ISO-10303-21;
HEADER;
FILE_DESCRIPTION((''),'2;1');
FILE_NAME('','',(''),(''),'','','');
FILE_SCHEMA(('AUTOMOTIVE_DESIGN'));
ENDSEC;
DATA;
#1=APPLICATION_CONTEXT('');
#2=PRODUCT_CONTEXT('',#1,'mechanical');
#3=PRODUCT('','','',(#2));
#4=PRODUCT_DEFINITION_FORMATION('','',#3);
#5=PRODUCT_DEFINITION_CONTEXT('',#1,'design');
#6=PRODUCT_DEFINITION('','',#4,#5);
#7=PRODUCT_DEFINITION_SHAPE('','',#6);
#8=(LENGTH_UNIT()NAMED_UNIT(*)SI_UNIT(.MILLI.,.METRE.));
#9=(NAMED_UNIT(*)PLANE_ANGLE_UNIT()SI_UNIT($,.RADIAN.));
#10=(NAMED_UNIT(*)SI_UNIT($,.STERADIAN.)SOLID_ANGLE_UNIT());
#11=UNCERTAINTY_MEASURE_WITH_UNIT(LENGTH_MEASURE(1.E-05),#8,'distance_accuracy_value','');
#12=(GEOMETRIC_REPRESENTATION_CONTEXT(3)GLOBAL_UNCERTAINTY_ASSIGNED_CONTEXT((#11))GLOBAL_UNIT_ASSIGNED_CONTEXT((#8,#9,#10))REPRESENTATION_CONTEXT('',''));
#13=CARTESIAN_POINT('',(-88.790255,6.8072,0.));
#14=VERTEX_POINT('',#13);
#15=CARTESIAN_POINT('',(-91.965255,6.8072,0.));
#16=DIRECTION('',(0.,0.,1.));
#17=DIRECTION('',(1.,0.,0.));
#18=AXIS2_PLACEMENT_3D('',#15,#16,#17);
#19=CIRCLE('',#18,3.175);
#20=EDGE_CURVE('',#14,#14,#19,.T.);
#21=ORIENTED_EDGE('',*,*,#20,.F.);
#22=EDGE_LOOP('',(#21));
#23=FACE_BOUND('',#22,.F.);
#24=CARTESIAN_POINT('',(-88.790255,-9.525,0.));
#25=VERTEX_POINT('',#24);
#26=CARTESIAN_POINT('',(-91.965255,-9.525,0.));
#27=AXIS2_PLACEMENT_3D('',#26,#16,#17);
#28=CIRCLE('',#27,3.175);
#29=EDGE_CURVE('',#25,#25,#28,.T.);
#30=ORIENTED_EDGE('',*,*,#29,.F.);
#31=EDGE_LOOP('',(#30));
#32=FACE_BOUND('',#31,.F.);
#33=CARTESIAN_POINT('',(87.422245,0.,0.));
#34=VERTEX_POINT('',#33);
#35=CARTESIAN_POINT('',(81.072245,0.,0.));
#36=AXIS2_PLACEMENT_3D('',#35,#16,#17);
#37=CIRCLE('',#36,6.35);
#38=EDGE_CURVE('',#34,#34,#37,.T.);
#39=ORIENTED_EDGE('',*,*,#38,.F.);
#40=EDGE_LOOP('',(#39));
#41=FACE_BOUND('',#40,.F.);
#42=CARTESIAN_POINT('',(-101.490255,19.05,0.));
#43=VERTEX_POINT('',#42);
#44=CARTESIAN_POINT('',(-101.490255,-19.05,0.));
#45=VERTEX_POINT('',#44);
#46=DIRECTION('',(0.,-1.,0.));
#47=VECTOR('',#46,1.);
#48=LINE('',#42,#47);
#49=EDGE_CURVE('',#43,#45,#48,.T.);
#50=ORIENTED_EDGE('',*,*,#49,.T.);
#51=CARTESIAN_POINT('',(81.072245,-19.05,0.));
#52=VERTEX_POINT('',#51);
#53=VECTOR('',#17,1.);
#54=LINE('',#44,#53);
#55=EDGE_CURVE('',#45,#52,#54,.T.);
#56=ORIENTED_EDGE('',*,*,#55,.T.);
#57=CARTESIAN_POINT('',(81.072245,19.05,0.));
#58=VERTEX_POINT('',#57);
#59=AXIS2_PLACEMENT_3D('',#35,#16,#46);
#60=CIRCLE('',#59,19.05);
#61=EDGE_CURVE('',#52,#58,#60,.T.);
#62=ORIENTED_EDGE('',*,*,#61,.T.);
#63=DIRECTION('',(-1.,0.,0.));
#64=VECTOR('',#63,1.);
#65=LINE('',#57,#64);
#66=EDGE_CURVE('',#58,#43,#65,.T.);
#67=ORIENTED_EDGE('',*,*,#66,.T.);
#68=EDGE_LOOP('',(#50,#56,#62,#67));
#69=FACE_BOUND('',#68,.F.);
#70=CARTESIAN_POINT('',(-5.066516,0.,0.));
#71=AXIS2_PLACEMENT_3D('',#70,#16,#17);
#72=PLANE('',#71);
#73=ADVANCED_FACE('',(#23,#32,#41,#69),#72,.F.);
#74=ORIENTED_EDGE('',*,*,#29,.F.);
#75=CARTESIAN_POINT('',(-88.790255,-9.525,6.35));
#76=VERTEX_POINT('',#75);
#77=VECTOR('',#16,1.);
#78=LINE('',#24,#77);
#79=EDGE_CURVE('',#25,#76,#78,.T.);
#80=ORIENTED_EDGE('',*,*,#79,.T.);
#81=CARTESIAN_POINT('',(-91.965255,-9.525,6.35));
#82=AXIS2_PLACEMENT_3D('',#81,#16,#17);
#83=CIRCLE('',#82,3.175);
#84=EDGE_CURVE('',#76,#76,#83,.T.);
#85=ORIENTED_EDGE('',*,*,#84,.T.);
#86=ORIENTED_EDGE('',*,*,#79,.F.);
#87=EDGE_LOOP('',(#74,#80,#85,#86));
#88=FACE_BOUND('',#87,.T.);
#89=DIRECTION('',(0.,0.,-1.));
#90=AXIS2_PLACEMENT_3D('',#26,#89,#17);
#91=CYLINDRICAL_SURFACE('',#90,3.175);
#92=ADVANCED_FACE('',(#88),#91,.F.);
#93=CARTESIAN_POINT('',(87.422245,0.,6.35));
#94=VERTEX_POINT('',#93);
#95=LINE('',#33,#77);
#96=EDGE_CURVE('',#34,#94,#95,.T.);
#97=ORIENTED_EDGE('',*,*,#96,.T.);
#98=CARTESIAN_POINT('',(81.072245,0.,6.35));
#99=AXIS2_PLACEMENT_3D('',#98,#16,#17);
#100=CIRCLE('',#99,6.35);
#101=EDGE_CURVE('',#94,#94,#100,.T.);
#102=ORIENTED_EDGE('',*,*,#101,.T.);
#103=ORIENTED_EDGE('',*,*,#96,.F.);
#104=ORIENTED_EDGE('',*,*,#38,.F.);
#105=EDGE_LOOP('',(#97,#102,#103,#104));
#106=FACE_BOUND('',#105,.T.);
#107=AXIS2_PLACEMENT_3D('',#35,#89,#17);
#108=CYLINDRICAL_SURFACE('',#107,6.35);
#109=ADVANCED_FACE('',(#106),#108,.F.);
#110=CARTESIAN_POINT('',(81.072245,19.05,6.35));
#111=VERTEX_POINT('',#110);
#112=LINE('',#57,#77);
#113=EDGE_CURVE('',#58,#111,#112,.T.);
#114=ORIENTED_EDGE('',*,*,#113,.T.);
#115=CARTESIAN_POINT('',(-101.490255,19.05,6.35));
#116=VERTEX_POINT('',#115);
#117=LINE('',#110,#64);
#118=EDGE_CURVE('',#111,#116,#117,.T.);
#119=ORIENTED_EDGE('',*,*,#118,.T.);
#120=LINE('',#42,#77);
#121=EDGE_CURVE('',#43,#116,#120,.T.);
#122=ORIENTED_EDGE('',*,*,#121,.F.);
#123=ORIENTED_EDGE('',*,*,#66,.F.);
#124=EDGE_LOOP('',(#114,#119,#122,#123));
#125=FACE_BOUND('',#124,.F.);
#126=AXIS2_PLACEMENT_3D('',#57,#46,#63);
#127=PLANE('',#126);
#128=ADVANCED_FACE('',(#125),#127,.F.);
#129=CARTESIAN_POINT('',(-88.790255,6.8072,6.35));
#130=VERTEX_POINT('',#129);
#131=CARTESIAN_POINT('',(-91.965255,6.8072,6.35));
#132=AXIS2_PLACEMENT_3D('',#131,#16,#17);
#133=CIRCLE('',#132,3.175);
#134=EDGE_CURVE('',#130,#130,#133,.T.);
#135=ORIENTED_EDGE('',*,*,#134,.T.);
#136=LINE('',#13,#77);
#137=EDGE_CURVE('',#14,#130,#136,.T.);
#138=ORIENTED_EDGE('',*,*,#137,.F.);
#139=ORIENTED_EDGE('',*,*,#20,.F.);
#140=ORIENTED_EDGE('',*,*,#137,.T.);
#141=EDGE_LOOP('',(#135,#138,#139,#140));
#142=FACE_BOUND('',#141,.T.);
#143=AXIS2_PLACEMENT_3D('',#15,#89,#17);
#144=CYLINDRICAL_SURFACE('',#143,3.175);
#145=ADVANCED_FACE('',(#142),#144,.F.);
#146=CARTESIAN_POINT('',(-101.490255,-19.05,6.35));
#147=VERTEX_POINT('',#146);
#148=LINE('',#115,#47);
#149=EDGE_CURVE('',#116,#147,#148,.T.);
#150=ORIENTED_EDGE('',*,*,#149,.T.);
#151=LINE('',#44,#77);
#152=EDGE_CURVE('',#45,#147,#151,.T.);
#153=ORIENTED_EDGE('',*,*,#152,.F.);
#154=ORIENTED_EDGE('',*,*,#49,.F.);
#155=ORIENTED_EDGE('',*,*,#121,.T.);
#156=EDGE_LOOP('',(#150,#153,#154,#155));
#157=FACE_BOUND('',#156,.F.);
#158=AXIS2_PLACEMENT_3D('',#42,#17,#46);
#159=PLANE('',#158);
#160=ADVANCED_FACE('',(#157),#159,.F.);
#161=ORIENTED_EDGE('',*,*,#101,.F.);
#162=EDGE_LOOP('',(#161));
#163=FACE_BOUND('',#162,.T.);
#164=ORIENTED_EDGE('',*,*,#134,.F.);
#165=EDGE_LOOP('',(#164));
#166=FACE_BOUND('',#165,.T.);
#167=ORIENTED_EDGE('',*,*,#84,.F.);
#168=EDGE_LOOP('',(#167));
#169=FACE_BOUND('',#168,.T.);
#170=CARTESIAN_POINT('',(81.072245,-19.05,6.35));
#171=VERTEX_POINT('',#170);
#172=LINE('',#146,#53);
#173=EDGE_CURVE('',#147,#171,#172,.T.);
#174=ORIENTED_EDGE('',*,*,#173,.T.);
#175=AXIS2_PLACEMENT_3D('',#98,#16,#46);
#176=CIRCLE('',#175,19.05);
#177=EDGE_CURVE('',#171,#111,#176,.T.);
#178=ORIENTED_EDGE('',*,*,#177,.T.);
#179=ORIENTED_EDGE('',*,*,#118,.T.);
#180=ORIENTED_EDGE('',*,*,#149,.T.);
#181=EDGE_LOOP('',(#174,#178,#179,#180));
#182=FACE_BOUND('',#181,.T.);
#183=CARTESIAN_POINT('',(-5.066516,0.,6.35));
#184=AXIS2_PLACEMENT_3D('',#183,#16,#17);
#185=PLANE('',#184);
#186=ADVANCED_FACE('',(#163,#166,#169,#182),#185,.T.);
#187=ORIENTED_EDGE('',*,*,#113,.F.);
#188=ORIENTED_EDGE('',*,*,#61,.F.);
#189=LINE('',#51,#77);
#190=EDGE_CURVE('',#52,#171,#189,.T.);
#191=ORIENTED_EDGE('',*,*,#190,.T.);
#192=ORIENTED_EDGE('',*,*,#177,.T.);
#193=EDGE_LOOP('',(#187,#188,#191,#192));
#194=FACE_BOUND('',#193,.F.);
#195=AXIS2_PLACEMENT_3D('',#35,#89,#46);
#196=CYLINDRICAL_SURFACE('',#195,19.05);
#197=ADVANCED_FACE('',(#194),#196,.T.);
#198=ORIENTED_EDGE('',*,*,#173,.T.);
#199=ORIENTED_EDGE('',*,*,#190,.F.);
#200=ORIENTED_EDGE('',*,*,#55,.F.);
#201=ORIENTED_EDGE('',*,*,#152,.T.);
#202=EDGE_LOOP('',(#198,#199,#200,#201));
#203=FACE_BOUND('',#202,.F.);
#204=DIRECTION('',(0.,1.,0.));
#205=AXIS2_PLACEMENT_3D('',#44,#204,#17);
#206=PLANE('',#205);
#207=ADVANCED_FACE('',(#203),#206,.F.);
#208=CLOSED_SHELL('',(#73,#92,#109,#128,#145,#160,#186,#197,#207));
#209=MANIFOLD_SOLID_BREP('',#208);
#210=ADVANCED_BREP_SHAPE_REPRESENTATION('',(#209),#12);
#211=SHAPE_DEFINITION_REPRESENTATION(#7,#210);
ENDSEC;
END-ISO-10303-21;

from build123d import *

# Parameters (mm, degrees)
F0_R     = 3.175
F0_R_2   = 6.35
F1_DEPTH = 6.35


with BuildPart() as f1:
    # F0 (on Top) → F1 (new body)
    with BuildSketch(Plane.XY):
        with BuildLine():
            Line((-101.490255, -19.05), (81.072245, -19.05))
            ThreePointArc((81.072245, -19.05), (100.122245, 0), (81.072245, 19.05))
            Line((81.072245, 19.05), (-101.490255, 19.05))
            Line((-101.490255, 19.05), (-101.490255, -19.05))
        make_face()
        with Locations((-91.965255, -9.525)):
            Circle(F0_R, mode=Mode.SUBTRACT)
        with Locations((-91.965255, 6.8072)):
            Circle(F0_R, mode=Mode.SUBTRACT)
        with Locations((81.072245, 0)):
            Circle(F0_R_2, mode=Mode.SUBTRACT)
    extrude(amount=F1_DEPTH)


solid = f1.part
